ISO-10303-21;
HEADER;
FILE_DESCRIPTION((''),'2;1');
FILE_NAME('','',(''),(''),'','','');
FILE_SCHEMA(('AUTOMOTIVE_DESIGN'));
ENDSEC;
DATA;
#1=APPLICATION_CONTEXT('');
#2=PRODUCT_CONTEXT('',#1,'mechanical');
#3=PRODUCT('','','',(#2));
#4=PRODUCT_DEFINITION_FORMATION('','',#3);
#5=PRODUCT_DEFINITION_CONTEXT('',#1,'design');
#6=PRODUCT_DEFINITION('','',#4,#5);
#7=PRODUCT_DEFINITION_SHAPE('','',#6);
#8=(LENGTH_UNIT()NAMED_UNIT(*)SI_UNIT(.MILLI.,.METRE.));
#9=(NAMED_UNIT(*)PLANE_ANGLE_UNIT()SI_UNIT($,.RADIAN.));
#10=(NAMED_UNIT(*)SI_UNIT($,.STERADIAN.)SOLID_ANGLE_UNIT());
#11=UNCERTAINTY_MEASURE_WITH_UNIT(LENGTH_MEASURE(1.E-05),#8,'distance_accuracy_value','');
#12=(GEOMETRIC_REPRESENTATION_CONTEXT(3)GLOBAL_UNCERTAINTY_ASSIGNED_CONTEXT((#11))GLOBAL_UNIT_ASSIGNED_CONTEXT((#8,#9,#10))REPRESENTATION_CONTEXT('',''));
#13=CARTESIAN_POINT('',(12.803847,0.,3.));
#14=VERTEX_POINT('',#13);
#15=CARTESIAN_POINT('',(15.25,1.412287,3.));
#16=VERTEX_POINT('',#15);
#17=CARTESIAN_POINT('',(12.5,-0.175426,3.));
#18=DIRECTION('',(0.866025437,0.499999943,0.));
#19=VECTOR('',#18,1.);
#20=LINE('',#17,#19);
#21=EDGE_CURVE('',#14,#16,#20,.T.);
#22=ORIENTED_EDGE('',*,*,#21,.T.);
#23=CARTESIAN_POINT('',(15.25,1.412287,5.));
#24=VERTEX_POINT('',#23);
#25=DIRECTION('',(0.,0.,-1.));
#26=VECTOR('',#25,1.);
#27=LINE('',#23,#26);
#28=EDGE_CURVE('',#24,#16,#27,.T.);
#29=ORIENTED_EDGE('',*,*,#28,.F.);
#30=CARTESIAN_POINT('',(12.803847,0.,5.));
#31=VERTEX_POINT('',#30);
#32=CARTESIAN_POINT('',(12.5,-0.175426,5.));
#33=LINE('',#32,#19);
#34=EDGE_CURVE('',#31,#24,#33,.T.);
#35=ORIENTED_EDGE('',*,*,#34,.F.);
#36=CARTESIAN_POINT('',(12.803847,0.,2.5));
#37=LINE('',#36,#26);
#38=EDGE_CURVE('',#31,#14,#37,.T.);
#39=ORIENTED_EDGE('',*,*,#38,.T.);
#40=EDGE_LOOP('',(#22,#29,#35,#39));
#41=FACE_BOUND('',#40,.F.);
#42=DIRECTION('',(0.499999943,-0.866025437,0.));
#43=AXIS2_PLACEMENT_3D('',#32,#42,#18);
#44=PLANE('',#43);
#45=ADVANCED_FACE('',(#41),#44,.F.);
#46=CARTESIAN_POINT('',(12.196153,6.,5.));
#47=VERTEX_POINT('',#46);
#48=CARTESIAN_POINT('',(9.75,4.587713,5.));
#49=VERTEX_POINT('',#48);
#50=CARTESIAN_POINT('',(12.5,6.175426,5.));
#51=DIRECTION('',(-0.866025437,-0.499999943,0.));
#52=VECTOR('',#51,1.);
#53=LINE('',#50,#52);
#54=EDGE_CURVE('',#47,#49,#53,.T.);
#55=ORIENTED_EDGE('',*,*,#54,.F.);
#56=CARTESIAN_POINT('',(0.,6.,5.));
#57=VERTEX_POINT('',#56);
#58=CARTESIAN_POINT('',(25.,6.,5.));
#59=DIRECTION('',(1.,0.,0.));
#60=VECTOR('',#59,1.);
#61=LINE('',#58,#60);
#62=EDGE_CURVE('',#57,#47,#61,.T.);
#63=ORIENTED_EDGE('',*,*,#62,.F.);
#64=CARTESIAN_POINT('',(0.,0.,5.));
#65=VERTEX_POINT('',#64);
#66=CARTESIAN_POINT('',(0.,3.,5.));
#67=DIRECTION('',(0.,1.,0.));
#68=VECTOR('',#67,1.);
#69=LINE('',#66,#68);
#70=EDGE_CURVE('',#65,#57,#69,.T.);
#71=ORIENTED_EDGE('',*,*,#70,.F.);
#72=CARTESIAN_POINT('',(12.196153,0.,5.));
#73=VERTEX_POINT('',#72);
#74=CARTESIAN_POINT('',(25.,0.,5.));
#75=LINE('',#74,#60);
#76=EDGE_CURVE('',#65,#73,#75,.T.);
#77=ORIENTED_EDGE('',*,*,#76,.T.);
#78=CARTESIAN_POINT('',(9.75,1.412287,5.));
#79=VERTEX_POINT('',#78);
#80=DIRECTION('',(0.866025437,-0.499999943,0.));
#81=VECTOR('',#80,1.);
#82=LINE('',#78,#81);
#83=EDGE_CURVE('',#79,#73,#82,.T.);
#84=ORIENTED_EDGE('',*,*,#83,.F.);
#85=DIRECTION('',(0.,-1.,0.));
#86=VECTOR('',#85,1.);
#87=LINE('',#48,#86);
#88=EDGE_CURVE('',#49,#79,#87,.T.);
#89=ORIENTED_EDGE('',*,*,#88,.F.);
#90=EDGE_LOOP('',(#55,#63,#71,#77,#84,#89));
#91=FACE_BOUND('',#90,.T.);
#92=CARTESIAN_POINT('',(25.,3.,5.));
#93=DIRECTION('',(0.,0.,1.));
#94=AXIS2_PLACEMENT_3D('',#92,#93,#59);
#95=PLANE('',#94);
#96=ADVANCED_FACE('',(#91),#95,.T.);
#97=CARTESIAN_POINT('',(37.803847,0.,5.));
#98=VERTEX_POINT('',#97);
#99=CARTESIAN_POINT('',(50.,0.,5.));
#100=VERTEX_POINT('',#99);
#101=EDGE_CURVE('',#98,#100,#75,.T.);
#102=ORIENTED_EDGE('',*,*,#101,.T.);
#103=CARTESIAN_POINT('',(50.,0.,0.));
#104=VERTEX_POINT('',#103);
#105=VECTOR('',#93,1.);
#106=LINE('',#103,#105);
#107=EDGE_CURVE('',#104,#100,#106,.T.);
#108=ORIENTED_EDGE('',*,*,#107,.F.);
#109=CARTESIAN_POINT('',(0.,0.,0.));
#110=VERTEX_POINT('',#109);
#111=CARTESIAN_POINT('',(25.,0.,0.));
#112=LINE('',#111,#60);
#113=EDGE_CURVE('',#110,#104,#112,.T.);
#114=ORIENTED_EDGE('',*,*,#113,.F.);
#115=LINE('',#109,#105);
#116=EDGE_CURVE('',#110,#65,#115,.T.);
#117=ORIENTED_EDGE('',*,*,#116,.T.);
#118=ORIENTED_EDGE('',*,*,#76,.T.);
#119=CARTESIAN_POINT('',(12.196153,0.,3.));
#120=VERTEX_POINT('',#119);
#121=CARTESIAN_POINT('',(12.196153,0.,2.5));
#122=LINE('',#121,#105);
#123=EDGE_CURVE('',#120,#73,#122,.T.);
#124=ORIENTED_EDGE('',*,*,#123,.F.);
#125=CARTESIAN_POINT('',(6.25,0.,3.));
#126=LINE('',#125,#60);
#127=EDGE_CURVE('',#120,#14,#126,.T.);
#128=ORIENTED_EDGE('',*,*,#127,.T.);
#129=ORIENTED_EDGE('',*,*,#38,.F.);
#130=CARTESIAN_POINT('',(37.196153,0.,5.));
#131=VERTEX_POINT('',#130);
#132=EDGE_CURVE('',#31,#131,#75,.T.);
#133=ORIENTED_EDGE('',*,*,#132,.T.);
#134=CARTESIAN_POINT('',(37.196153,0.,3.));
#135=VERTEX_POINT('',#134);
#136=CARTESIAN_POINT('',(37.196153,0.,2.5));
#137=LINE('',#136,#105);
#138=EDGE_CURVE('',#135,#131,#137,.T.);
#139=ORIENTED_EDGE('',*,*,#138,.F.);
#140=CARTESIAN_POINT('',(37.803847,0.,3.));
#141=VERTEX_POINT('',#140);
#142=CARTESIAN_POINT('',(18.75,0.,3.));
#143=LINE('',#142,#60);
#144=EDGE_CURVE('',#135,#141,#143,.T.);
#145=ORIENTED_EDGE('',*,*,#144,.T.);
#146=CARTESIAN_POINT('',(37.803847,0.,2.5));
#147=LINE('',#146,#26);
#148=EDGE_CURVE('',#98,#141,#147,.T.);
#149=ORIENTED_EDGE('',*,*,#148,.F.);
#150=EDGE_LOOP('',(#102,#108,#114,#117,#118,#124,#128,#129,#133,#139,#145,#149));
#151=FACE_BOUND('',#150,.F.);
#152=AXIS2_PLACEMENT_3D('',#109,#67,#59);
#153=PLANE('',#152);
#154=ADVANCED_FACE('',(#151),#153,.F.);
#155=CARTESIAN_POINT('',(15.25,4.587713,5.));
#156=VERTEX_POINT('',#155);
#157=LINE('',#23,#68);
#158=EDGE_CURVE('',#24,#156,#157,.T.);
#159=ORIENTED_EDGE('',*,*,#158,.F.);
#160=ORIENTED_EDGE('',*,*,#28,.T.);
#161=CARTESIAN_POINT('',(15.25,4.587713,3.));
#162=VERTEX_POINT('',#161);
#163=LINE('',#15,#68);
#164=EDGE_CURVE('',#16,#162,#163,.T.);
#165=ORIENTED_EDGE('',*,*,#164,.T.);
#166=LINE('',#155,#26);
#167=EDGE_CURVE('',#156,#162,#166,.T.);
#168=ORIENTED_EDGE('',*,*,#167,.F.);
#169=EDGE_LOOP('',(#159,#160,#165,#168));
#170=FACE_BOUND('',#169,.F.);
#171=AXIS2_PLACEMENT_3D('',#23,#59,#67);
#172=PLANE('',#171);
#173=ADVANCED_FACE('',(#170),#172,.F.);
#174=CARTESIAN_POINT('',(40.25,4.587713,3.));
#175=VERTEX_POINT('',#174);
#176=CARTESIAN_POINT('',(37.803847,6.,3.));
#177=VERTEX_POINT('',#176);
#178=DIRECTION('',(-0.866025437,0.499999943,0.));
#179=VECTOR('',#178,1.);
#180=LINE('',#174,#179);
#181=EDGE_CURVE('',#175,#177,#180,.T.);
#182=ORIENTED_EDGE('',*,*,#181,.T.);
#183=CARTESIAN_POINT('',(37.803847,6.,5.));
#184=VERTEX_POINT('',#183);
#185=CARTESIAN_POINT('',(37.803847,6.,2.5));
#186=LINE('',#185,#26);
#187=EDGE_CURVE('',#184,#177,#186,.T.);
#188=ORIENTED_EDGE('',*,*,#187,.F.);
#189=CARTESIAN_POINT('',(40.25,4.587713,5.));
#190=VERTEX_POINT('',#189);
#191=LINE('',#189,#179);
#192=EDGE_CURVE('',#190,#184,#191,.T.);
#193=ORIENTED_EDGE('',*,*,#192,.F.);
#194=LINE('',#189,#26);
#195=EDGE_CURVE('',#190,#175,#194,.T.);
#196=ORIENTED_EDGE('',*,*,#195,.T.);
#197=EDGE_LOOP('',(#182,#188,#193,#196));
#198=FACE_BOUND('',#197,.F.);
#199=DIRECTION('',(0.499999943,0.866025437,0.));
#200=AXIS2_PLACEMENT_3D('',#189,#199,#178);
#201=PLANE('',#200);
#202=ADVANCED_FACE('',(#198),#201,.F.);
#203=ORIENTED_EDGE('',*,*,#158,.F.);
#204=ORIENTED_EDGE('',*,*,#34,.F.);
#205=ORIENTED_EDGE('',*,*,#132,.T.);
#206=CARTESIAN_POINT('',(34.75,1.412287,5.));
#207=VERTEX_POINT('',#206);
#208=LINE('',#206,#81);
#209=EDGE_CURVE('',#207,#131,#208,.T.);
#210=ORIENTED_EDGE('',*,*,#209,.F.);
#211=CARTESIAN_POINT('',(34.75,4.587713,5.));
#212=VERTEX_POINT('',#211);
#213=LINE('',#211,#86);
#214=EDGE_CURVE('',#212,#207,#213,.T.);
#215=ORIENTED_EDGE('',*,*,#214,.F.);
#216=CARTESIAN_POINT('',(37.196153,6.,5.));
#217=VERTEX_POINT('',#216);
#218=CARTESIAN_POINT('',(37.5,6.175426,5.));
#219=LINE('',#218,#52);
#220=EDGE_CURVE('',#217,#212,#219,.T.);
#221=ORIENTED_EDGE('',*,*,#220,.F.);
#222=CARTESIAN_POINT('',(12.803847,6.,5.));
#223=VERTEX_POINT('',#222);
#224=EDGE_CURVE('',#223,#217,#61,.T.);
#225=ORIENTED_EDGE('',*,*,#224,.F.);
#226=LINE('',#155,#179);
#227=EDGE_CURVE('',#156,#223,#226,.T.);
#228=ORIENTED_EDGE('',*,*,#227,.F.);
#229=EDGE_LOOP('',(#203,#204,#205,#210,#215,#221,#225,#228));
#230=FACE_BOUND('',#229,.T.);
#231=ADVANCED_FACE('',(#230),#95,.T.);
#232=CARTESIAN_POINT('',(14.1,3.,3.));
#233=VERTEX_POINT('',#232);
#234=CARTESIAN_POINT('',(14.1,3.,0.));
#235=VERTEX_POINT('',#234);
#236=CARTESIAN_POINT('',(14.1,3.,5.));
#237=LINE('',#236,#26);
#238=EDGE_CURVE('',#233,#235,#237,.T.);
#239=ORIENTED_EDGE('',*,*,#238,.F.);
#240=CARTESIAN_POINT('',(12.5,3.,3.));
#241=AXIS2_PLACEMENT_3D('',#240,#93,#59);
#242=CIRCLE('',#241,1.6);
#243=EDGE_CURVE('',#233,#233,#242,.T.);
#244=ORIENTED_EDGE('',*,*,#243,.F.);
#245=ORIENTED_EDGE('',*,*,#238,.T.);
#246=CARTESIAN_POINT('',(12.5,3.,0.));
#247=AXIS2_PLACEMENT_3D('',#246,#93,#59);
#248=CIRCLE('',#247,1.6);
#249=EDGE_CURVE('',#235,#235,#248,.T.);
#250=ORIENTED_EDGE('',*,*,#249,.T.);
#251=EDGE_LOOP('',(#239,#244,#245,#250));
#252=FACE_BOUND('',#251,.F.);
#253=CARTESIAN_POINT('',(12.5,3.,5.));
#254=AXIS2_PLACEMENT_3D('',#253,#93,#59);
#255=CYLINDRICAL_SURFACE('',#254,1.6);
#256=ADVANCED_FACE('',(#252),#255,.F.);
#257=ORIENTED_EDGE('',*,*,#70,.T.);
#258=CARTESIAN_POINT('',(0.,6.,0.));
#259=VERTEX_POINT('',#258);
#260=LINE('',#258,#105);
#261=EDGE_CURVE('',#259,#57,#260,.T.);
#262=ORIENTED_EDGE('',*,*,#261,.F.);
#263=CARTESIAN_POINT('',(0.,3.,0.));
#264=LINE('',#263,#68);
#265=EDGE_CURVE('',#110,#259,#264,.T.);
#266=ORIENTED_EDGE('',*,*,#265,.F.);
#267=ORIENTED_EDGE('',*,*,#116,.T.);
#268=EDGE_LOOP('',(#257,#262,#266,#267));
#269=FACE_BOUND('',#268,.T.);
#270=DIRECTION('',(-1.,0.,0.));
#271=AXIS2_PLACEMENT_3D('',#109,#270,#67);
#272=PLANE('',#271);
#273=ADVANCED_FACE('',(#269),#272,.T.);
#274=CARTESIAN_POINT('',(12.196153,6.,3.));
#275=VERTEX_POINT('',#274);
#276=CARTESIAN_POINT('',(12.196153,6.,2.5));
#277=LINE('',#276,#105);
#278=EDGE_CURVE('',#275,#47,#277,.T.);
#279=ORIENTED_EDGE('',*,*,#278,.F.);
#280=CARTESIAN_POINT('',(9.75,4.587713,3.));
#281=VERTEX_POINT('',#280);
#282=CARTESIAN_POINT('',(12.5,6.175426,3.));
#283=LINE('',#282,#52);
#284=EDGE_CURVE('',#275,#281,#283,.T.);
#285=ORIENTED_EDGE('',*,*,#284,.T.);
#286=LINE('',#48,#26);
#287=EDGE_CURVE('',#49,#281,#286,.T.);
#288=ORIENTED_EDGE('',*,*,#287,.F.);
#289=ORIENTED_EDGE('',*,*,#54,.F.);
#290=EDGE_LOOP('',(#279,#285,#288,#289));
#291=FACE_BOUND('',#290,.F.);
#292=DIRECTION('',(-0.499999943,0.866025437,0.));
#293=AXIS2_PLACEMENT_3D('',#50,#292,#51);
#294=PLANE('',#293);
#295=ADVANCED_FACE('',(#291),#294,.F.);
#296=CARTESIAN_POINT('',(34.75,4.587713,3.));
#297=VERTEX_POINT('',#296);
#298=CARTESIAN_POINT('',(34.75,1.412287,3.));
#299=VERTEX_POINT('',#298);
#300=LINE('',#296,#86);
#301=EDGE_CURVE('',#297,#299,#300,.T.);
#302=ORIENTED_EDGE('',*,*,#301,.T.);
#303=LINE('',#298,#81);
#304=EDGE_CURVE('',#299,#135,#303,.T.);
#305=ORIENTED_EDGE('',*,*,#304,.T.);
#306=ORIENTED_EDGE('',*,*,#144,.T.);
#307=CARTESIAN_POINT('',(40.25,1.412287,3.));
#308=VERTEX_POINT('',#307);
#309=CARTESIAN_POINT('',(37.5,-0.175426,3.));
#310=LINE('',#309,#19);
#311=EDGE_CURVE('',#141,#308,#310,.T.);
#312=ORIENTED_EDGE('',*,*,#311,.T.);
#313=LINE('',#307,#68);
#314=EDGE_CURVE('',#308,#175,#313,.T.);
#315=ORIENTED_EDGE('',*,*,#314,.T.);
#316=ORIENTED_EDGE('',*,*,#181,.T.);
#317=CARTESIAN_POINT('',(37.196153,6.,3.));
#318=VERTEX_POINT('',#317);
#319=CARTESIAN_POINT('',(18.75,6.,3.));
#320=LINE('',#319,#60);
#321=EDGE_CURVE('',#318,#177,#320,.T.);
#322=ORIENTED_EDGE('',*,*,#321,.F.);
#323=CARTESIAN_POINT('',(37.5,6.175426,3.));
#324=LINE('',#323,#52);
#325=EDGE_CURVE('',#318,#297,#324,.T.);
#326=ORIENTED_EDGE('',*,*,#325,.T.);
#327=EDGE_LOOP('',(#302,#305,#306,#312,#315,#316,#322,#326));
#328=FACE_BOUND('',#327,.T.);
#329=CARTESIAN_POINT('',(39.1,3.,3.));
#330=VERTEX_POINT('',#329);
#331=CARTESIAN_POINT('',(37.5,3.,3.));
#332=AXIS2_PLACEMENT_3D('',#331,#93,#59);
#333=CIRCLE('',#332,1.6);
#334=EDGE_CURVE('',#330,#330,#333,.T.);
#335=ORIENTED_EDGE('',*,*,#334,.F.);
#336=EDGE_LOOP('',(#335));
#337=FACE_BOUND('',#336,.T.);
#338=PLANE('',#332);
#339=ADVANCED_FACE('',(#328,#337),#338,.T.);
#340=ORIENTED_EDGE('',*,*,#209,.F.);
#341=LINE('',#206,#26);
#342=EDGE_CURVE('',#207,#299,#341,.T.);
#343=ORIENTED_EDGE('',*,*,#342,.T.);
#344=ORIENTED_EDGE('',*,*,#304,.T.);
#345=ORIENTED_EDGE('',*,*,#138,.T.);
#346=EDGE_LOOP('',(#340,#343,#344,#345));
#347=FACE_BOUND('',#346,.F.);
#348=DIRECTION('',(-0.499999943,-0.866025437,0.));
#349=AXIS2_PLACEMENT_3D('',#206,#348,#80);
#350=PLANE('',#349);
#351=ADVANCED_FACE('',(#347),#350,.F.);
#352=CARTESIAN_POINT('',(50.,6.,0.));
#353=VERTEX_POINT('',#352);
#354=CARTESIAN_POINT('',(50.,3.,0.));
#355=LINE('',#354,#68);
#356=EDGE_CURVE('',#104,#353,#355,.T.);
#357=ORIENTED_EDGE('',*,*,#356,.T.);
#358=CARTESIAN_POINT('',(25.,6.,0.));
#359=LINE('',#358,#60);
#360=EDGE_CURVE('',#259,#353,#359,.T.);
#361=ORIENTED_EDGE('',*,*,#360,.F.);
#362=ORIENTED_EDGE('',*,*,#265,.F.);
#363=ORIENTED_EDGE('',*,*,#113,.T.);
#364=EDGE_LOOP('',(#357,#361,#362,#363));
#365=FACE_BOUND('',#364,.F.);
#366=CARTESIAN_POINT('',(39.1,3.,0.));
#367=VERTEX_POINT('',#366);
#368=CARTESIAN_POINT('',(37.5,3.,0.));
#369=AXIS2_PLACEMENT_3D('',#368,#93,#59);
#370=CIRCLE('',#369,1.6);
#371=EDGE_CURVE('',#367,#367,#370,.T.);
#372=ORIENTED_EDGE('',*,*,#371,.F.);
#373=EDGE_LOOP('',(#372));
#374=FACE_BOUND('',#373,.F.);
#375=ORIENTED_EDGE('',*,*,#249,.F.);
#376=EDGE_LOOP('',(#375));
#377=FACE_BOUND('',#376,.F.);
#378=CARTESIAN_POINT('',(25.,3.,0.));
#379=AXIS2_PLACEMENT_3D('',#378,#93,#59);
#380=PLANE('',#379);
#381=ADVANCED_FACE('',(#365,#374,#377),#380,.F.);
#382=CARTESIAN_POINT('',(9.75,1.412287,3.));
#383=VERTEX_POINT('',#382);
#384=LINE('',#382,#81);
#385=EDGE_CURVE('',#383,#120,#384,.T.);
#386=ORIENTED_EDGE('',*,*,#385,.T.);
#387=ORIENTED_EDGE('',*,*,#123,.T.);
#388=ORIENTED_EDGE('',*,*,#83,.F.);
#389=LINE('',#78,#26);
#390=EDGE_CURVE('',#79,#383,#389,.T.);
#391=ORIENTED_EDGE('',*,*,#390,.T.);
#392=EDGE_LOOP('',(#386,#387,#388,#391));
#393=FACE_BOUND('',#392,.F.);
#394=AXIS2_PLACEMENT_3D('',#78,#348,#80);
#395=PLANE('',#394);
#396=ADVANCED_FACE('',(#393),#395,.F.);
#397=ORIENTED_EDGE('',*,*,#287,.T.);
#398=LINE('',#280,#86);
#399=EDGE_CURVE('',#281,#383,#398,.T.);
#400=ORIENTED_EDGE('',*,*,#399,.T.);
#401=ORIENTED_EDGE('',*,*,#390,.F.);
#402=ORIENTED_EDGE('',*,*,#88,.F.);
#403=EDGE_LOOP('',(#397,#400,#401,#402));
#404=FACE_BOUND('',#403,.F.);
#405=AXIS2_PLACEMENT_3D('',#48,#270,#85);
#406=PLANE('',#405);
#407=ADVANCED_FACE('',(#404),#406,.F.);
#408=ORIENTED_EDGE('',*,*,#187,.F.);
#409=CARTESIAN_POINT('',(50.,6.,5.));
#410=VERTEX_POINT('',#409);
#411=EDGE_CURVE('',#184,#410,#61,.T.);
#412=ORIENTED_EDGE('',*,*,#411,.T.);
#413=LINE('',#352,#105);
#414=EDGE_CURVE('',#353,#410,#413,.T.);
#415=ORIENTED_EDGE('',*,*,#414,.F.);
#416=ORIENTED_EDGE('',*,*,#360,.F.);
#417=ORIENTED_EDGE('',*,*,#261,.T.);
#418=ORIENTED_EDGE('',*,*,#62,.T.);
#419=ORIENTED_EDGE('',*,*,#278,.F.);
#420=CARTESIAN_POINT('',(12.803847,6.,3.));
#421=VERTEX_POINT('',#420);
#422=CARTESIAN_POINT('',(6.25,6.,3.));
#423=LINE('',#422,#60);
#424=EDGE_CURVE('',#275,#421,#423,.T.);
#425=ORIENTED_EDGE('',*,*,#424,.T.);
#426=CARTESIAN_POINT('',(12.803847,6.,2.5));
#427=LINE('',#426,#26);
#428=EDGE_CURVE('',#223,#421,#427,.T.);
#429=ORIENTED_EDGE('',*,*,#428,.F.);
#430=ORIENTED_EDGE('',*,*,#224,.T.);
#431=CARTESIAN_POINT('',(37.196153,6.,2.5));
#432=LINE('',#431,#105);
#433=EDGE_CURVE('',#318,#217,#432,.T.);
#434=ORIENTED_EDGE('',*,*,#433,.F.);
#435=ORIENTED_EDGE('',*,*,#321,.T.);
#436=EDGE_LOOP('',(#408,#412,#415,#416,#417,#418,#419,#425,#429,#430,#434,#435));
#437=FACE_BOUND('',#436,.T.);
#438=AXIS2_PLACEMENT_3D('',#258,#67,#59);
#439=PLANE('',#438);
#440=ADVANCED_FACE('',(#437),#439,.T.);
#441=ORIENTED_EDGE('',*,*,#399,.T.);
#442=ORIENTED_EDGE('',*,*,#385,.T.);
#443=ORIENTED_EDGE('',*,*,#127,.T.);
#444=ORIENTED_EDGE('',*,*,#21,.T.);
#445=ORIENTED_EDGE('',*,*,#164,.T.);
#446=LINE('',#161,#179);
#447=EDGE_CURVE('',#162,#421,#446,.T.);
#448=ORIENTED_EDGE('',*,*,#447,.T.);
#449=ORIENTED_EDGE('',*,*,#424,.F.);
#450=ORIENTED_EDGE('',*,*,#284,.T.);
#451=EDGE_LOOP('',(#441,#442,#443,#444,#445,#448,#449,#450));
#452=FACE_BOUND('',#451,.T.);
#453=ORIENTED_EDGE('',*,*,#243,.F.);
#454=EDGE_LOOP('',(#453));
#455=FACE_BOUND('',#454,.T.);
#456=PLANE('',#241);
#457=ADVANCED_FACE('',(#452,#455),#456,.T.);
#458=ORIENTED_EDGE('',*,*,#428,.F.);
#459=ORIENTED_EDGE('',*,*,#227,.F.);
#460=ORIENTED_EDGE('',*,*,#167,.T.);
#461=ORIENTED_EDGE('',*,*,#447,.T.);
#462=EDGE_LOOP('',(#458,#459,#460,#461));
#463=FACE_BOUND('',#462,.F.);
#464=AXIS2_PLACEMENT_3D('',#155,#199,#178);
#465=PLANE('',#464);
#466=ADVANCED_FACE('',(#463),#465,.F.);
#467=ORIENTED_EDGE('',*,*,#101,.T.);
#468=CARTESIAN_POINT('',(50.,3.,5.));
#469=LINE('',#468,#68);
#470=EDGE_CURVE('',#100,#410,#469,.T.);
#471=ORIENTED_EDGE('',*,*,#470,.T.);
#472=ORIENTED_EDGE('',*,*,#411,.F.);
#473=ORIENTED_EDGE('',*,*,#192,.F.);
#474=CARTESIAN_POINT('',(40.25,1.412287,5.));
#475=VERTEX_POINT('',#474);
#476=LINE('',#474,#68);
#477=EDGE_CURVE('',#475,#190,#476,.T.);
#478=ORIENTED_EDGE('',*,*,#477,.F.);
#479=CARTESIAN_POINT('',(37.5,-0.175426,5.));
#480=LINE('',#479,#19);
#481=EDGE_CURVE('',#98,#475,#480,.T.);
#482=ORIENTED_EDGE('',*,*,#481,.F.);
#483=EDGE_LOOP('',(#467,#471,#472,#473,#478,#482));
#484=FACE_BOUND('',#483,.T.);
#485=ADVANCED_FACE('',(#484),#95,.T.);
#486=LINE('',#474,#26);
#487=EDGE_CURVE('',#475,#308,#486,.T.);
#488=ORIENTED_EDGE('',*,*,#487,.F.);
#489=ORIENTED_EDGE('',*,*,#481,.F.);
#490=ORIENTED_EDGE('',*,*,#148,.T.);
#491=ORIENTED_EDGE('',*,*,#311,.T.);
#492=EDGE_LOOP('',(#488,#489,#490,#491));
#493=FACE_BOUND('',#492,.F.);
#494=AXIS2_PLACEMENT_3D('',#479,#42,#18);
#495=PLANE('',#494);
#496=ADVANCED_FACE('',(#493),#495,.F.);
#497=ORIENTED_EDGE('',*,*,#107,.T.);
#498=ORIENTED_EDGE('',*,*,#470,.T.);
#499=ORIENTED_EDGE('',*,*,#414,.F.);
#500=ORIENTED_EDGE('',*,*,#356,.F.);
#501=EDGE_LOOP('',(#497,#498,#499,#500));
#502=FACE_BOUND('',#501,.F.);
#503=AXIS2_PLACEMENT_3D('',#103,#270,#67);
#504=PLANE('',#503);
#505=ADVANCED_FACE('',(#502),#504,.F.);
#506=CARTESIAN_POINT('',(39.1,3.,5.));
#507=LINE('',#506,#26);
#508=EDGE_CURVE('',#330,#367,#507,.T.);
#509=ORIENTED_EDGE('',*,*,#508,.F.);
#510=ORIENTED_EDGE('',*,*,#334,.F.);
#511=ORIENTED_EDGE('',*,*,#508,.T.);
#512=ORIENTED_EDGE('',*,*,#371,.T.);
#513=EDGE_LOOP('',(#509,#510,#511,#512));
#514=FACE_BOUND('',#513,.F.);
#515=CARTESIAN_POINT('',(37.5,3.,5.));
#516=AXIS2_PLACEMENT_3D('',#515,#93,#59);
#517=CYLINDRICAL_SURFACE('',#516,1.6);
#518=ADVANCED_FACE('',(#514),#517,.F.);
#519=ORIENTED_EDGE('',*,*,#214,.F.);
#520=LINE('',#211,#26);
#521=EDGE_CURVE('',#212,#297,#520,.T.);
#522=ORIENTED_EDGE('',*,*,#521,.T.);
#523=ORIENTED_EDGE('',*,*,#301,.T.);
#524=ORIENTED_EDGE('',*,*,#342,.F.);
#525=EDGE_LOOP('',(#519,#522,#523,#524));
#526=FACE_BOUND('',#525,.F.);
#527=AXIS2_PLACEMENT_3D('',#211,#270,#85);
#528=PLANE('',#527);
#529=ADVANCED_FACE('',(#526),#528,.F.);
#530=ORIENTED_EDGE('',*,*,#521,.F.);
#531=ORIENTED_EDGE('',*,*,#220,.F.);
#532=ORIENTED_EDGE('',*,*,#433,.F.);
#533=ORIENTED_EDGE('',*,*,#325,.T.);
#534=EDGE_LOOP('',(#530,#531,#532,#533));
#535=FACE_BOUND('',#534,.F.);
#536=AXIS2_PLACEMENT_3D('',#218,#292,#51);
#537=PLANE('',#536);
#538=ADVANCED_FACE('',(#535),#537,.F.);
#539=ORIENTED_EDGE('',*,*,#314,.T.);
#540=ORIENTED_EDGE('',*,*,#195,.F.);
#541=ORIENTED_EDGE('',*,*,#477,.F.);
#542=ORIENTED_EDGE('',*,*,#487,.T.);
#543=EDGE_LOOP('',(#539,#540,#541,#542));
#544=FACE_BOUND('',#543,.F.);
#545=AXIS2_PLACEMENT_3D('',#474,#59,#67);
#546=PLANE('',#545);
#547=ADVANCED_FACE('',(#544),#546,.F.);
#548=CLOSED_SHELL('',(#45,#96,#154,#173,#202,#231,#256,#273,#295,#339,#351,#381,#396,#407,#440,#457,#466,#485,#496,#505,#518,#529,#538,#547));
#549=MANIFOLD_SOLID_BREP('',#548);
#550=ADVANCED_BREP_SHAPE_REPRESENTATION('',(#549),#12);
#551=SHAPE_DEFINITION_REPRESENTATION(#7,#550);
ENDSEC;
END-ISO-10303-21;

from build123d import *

# Parameters (mm, degrees)
SKETCH_W        = 50
SKETCH_H        = 6
PAD_DEPTH       = 5
SKETCH001_R     = 1.6
POCKET_DEPTH    = 5
POCKET001_DEPTH = 2


with BuildPart() as part:
    # Sketch → Pad (new body)
    with BuildSketch(Plane.XY):
        with Locations((25, 3)):
            Rectangle(SKETCH_W, SKETCH_H)
    extrude(amount=PAD_DEPTH)

    # Sketch001 (on Face6 of Pad) → Pocket (cut)
    with BuildSketch(Plane.XY.offset(5)):
        with Locations((12.5, 3)):
            Circle(SKETCH001_R)
        with Locations((37.5, 3)):
            Circle(SKETCH001_R)
    extrude(amount=-POCKET_DEPTH, mode=Mode.SUBTRACT)

    # Sketch002 (on Face5 of Pocket) → Pocket001 (cut)
    with BuildSketch(Plane.XY.offset(5)):
        Polygon((15.25, 4.587713), (12.5, 6.175426), (9.75, 4.587713), (9.75, 1.412287), (12.5, -0.175426), (15.25, 1.412287), align=None)
        Polygon((40.25, 1.412287), (40.25, 4.587713), (37.5, 6.175426), (34.75, 4.587713), (34.75, 1.412287), (37.5, -0.175426), align=None)
    extrude(amount=-POCKET001_DEPTH, mode=Mode.SUBTRACT)


solid = part.part
